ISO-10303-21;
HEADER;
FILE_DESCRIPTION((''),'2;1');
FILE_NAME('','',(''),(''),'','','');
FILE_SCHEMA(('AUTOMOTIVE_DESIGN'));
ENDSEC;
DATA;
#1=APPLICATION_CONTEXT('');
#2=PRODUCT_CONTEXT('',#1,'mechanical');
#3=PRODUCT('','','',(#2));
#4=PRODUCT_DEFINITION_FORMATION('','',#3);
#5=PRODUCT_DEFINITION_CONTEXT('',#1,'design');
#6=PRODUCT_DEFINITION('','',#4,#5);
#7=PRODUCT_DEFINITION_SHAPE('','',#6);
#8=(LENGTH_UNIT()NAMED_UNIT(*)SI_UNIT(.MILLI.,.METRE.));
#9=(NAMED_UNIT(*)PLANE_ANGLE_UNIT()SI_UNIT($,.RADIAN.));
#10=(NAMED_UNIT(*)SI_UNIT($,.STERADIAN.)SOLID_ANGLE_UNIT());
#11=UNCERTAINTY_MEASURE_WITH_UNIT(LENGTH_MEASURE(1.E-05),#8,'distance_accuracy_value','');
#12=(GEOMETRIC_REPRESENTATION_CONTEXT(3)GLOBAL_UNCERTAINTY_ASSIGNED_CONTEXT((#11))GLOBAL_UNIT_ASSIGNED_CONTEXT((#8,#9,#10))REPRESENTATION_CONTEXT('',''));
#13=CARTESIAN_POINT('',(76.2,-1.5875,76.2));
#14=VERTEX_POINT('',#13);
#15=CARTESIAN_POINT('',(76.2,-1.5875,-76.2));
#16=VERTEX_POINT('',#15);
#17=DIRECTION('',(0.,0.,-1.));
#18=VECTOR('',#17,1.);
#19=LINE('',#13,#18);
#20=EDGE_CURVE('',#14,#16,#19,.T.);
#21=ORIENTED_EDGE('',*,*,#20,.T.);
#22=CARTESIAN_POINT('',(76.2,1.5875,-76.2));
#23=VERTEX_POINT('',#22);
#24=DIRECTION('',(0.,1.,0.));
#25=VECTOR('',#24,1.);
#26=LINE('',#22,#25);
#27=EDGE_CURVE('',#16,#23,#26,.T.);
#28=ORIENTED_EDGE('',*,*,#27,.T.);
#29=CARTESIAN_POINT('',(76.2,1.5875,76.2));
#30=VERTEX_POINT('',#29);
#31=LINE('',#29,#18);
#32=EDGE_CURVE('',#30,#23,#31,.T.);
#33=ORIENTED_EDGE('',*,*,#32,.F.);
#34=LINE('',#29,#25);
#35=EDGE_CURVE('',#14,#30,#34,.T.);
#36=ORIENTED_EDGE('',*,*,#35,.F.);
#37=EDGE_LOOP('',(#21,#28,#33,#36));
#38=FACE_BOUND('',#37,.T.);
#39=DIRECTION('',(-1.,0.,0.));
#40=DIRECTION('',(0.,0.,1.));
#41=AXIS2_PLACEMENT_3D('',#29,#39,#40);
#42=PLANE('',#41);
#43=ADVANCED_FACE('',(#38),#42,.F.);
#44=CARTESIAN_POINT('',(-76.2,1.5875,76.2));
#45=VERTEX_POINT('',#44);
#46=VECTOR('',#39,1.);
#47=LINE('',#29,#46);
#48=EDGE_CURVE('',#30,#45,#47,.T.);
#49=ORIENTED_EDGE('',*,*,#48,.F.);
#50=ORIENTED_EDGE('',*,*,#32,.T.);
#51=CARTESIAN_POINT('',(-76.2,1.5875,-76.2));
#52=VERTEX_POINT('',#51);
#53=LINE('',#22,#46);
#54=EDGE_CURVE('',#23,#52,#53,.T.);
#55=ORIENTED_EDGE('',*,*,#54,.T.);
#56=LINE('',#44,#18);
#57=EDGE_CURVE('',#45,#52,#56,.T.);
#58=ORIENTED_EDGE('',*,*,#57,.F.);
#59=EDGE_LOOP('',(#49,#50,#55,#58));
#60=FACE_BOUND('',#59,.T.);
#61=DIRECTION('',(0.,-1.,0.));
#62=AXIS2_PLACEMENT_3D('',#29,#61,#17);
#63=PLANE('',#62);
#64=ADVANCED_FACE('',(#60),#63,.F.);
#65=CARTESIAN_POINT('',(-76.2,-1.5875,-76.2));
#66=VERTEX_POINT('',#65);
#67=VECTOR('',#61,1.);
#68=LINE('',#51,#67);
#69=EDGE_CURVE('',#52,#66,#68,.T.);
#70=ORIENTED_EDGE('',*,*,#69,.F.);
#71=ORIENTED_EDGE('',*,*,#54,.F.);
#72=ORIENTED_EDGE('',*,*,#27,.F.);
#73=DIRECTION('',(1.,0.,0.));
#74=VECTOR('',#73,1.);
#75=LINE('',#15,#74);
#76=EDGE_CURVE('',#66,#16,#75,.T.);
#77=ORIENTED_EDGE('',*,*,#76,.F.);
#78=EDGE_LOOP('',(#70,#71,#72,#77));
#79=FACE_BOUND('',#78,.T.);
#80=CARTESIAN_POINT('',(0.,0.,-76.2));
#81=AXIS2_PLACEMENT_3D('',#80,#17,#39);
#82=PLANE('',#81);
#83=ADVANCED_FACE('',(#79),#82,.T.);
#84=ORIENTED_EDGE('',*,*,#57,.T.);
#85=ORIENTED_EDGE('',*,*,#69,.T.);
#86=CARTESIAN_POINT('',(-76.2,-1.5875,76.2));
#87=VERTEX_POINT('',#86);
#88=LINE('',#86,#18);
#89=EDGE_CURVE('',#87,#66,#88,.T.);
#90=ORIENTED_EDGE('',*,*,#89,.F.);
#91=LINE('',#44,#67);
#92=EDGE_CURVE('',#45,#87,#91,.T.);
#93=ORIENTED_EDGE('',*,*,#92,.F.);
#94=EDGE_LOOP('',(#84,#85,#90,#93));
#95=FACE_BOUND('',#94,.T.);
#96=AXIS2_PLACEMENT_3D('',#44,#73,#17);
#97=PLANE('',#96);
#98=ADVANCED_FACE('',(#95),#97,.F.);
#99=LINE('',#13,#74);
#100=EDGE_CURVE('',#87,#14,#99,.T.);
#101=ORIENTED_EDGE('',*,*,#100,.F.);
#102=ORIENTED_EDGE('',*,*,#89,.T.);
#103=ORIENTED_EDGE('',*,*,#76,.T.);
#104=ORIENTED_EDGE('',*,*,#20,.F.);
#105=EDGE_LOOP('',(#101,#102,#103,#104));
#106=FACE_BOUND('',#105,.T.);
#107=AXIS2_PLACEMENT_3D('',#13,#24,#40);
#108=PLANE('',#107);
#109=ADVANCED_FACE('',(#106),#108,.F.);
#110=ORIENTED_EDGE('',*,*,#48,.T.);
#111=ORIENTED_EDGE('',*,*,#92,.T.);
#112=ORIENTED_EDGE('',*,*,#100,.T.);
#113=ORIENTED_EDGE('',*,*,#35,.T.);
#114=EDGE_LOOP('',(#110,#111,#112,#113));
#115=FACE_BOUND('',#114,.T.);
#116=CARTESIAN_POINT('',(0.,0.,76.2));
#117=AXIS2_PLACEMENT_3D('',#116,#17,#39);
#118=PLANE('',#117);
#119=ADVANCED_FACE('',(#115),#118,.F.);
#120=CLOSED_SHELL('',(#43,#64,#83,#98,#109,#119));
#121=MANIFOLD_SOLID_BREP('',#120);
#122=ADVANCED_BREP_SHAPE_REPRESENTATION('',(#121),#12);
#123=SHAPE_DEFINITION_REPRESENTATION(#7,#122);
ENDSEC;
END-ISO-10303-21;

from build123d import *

# Parameters (mm, degrees)
BOSS_EXTRUDE1_DEPTH      = 76.2
BOSS_EXTRUDE1_DEPTH_BACK = 76.2
SKETCH3_W                = 152.4
SKETCH3_H                = 3.175


with BuildPart() as part:
    # Sketch3 → Boss-Extrude1 (new, two sides: drawn at the far end of the back side and taken through both)
    with BuildSketch(Plane.XY.offset(-BOSS_EXTRUDE1_DEPTH_BACK)):
        Rectangle(SKETCH3_W, SKETCH3_H)
    extrude(amount=BOSS_EXTRUDE1_DEPTH + BOSS_EXTRUDE1_DEPTH_BACK)


solid = part.part
